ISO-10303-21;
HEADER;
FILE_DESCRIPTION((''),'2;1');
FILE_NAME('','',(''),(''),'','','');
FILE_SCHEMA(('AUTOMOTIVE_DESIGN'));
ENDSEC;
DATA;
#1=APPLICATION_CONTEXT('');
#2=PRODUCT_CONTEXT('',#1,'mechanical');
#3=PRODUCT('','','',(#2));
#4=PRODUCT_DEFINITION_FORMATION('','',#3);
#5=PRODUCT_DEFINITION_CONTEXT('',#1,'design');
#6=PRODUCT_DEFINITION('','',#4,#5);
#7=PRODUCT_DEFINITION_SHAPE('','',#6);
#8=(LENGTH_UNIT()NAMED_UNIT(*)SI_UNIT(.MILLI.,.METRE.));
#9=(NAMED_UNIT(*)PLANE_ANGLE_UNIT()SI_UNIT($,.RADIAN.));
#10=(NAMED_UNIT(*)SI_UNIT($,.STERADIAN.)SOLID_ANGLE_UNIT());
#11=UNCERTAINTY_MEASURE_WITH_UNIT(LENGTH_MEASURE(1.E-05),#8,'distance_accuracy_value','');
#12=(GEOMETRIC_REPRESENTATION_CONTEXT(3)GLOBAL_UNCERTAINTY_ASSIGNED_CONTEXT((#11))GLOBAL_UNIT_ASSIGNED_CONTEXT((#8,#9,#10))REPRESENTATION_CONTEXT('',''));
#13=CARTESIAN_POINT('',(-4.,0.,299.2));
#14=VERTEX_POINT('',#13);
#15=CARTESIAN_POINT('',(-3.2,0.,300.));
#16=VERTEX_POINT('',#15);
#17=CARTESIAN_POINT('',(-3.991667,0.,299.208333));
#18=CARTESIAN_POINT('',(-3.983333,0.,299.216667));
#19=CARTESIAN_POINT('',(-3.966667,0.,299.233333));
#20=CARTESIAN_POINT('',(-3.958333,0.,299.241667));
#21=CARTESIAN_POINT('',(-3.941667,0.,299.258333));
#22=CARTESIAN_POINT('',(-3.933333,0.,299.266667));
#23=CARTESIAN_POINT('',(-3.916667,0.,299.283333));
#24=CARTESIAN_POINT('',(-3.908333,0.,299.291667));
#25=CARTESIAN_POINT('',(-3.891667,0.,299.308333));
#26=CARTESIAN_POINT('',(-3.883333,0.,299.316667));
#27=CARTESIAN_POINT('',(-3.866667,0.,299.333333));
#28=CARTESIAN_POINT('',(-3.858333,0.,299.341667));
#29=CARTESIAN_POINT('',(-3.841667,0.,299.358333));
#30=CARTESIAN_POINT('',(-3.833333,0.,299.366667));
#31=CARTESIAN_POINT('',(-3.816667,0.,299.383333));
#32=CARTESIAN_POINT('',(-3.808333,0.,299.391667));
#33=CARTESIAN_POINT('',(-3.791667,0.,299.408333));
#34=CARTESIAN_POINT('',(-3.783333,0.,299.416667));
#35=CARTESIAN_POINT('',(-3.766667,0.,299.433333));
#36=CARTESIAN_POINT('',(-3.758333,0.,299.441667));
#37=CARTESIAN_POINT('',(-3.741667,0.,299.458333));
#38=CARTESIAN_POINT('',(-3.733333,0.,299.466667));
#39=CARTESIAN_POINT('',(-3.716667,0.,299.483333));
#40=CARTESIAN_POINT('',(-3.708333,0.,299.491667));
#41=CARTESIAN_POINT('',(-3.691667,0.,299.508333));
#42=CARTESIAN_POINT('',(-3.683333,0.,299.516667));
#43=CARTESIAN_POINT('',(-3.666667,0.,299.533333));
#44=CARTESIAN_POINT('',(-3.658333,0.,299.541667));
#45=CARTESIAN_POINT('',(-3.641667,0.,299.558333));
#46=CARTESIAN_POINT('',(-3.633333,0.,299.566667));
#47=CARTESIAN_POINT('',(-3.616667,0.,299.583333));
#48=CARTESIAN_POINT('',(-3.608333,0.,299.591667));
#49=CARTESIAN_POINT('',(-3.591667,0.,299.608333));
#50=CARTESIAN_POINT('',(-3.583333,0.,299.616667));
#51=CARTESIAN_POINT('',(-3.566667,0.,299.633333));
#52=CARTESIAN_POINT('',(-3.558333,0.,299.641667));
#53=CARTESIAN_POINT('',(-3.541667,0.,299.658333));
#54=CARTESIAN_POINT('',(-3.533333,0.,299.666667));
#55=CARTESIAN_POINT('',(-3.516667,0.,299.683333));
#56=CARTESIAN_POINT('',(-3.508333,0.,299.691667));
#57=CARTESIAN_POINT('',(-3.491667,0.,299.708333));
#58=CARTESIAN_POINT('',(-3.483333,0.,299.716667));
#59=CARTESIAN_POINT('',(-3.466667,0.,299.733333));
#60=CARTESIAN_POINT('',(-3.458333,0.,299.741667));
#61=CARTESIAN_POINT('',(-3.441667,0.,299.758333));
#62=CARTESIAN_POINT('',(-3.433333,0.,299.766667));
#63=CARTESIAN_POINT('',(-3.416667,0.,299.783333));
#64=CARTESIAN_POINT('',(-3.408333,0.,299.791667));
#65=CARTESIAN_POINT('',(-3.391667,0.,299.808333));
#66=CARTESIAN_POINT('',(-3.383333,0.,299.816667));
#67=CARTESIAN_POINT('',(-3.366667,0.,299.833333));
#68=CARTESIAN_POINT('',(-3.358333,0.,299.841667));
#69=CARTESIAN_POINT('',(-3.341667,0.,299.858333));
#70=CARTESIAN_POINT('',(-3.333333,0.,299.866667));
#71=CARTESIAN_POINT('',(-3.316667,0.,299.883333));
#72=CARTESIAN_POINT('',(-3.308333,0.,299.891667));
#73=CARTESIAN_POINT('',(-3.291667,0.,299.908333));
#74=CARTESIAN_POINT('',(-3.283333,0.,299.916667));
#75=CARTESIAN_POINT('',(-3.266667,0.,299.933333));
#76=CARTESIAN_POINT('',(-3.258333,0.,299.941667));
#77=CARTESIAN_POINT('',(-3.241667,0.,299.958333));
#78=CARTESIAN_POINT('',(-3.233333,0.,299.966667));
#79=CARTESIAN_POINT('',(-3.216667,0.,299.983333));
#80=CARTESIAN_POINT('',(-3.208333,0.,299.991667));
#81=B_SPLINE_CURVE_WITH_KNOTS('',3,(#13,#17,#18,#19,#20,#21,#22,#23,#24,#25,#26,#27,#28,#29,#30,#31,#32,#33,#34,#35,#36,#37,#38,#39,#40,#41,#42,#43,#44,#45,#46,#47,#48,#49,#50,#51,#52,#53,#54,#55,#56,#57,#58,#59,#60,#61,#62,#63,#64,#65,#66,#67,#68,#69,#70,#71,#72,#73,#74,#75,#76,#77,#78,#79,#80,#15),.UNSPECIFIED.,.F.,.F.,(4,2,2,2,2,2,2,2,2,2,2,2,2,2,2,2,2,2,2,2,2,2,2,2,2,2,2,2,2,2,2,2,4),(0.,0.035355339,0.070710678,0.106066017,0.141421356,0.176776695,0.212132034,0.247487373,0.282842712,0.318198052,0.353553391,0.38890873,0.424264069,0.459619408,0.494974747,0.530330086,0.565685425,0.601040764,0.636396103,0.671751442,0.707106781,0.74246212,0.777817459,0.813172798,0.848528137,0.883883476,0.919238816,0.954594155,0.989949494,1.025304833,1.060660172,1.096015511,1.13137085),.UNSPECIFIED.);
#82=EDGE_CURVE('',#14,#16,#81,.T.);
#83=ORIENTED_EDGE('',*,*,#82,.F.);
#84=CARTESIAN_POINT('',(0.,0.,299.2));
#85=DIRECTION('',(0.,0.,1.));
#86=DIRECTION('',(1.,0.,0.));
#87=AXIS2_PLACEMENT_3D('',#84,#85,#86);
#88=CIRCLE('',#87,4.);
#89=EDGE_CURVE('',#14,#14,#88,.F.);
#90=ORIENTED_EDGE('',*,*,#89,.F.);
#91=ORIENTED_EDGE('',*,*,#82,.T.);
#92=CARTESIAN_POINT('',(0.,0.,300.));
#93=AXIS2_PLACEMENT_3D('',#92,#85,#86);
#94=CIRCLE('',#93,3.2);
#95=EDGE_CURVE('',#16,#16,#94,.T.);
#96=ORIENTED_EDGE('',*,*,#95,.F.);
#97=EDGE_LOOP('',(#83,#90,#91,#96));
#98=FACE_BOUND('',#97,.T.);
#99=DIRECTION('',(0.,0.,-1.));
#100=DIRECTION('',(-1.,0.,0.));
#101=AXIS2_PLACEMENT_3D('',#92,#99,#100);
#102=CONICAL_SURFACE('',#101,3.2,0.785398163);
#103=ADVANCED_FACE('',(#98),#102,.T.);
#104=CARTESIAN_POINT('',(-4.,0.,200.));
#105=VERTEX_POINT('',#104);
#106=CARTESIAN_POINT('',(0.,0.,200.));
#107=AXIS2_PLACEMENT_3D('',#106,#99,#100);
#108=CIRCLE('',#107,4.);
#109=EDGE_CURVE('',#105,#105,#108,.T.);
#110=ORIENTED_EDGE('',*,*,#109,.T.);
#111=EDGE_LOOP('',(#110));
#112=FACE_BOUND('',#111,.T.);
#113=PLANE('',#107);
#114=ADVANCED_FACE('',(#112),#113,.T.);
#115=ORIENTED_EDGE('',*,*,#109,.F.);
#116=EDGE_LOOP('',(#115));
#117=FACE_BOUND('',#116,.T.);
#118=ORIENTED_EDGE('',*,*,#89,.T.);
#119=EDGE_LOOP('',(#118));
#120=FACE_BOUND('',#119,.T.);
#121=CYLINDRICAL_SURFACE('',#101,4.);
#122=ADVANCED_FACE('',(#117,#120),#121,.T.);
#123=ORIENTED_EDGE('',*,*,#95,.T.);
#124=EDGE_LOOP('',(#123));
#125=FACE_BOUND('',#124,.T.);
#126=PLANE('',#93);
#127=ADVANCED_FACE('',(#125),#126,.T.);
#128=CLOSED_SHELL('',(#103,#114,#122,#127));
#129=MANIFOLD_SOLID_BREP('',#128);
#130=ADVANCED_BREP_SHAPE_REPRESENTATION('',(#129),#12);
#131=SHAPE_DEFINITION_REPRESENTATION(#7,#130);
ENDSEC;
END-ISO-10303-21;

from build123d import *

# Parameters (mm, degrees)
SKETCH1_R          = 4
EXTRUDE1_DEPTH     = 300
CHAMFER1_SIZE      = 0.8
SKETCH3_R          = 12.756821692
CUT_EXTRUDE1_DEPTH = 500


with BuildPart() as part:
    # Sketch1 → Extrude1 (new, symmetric)
    with BuildSketch(Plane.XY):
        Circle(SKETCH1_R)
    extrude(amount=EXTRUDE1_DEPTH, both=True)

    # Chamfer1
    chamfer1_edges = [part.edges().sort_by_distance(p)[0] for p in [
        (-4, 0, -300),
        (-4, 0, 300),
    ]]
    chamfer(chamfer1_edges, length=CHAMFER1_SIZE)

    # Sketch3 → Cut-Extrude1 (cut)
    with BuildSketch(Plane(origin=(0, 0, -300), x_dir=(-1, 0, 0), z_dir=(0, 0, -1))):
        Circle(SKETCH3_R)
    extrude(amount=-CUT_EXTRUDE1_DEPTH, mode=Mode.SUBTRACT)


solid = part.part
